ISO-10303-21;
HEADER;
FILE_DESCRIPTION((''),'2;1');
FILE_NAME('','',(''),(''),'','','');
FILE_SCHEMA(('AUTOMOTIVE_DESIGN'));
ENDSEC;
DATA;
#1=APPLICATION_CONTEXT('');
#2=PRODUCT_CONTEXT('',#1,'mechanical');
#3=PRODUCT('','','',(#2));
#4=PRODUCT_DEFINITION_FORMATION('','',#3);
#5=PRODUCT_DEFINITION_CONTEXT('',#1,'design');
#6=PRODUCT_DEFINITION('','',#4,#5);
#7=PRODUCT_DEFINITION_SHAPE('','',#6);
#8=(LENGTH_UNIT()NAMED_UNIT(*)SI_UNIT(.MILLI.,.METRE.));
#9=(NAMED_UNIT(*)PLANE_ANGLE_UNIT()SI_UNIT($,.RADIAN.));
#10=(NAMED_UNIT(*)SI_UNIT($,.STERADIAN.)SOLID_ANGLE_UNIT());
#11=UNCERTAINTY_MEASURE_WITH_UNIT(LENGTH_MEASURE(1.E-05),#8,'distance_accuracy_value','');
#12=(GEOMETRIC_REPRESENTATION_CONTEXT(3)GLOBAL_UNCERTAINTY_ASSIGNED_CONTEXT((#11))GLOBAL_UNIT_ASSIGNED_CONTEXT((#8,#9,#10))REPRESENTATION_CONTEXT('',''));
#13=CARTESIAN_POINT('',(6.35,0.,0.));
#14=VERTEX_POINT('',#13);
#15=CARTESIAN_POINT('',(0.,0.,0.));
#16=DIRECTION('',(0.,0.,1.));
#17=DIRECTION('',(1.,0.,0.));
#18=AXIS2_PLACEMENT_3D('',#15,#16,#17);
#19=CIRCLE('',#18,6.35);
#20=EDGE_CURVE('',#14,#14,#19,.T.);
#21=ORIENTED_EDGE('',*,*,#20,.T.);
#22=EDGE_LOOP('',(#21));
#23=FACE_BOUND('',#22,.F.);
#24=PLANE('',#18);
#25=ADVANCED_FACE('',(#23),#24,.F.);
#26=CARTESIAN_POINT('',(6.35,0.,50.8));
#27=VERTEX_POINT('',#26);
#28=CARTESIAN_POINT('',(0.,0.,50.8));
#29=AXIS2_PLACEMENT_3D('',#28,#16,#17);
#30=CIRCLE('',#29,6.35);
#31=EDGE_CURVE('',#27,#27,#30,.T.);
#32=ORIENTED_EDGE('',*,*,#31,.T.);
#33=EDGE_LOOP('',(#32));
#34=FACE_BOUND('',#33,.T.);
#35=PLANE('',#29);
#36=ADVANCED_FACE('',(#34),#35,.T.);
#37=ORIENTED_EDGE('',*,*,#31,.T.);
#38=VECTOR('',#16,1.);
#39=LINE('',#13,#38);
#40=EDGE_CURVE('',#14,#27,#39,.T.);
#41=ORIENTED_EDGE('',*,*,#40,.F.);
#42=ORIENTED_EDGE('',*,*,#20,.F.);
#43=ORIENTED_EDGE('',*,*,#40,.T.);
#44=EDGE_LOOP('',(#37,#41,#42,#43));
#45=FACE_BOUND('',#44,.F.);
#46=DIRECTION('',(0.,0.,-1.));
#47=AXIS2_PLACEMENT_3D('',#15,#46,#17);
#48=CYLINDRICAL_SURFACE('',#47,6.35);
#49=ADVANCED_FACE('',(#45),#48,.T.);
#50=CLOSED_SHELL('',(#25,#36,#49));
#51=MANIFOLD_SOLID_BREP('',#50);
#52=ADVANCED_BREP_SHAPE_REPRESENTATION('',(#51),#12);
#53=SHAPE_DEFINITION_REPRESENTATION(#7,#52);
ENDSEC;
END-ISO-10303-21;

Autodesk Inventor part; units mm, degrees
ref_plane "YZ Plane" through (0, 0, 0) normal (1, 0, 0) x (0, 1, 0)
ref_plane "XZ Plane" through (0, 0, 0) normal (0, 1, 0) x (-1, 0, 0)
ref_plane "XY Plane" through (0, 0, 0) normal (0, 0, 1) x (1, 0, 0)
sketch "Sketch1" plane through (0, 0, 0) normal (0, 0, 1) x (1, 0, 0)
  circle A0 centre (0, 0) radius 6.35
  dimension "d0" = 12.7
extrude "Extrusion1" add sketch "Sketch1" along normal blind 50.8
properties part number "rod #2"
